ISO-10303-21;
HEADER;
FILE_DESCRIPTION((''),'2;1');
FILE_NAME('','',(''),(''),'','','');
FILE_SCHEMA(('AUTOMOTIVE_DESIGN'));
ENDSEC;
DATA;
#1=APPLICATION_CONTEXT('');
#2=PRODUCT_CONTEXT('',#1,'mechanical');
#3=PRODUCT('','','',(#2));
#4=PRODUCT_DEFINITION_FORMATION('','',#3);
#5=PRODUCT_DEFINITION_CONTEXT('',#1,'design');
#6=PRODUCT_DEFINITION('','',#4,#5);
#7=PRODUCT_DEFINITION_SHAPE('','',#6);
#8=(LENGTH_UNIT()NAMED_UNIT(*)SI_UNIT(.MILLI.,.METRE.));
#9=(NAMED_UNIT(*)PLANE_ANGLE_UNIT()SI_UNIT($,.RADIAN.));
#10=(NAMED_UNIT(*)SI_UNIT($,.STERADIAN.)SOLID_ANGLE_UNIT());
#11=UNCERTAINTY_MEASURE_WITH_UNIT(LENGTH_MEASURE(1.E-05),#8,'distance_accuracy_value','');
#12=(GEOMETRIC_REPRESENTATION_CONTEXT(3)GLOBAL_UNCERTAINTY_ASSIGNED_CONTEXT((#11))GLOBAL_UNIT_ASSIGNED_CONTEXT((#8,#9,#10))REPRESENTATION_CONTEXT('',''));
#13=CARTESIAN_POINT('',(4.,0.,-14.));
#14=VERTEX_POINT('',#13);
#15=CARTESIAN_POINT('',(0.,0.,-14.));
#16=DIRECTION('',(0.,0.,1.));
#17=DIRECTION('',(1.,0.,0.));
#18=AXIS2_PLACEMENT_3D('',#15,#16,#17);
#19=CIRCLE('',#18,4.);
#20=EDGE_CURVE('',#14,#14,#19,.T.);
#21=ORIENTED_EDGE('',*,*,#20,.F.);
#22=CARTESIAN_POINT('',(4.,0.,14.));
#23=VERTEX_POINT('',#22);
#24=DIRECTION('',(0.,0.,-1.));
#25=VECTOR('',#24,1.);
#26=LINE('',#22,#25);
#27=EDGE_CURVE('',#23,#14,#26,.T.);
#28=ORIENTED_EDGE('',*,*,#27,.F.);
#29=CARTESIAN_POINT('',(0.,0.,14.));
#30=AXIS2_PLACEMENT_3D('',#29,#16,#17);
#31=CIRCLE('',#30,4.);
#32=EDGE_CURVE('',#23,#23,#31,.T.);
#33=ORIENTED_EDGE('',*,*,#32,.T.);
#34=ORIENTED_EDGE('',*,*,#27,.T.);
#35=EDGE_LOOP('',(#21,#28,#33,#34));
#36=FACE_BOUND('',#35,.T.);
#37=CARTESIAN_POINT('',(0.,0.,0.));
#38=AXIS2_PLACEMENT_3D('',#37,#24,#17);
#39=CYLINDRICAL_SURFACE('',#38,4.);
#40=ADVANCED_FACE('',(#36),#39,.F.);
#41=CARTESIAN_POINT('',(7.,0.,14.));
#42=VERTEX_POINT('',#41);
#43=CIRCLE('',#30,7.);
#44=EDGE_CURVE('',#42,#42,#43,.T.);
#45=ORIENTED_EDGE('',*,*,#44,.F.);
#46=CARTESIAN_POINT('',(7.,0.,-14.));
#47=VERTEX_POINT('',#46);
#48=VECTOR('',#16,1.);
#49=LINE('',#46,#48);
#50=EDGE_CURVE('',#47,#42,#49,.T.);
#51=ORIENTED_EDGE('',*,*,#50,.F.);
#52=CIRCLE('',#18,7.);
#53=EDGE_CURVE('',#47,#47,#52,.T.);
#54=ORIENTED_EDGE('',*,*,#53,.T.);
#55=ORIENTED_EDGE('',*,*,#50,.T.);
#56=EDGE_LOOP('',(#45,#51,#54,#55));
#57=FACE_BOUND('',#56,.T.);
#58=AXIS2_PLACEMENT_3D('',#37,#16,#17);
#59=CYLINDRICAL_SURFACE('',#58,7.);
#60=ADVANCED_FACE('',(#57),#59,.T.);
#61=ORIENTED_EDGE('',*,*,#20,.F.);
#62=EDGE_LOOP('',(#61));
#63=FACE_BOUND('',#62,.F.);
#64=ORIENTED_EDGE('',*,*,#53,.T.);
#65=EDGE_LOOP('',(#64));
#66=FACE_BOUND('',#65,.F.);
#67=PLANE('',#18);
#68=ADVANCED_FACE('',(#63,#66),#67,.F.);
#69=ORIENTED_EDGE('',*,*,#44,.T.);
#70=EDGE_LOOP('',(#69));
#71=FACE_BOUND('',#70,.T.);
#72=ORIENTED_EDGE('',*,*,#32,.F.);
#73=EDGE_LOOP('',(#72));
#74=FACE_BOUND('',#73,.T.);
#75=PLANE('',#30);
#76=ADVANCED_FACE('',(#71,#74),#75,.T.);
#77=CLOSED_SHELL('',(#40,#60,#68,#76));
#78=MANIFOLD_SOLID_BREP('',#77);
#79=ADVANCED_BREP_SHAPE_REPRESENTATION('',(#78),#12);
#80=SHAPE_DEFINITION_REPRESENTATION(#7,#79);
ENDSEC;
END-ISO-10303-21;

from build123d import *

# Parameters (mm, degrees)
SKETCH1_R           = 7
SKETCH1_R_2         = 4
BOSS_EXTRUDE1_DEPTH = 14


with BuildPart() as part:
    # Sketch1 → Boss-Extrude1 (new body, symmetric)
    with BuildSketch(Plane.XY):
        Circle(SKETCH1_R)
        Circle(SKETCH1_R_2, mode=Mode.SUBTRACT)
    extrude(amount=BOSS_EXTRUDE1_DEPTH, both=True)


solid = part.part
